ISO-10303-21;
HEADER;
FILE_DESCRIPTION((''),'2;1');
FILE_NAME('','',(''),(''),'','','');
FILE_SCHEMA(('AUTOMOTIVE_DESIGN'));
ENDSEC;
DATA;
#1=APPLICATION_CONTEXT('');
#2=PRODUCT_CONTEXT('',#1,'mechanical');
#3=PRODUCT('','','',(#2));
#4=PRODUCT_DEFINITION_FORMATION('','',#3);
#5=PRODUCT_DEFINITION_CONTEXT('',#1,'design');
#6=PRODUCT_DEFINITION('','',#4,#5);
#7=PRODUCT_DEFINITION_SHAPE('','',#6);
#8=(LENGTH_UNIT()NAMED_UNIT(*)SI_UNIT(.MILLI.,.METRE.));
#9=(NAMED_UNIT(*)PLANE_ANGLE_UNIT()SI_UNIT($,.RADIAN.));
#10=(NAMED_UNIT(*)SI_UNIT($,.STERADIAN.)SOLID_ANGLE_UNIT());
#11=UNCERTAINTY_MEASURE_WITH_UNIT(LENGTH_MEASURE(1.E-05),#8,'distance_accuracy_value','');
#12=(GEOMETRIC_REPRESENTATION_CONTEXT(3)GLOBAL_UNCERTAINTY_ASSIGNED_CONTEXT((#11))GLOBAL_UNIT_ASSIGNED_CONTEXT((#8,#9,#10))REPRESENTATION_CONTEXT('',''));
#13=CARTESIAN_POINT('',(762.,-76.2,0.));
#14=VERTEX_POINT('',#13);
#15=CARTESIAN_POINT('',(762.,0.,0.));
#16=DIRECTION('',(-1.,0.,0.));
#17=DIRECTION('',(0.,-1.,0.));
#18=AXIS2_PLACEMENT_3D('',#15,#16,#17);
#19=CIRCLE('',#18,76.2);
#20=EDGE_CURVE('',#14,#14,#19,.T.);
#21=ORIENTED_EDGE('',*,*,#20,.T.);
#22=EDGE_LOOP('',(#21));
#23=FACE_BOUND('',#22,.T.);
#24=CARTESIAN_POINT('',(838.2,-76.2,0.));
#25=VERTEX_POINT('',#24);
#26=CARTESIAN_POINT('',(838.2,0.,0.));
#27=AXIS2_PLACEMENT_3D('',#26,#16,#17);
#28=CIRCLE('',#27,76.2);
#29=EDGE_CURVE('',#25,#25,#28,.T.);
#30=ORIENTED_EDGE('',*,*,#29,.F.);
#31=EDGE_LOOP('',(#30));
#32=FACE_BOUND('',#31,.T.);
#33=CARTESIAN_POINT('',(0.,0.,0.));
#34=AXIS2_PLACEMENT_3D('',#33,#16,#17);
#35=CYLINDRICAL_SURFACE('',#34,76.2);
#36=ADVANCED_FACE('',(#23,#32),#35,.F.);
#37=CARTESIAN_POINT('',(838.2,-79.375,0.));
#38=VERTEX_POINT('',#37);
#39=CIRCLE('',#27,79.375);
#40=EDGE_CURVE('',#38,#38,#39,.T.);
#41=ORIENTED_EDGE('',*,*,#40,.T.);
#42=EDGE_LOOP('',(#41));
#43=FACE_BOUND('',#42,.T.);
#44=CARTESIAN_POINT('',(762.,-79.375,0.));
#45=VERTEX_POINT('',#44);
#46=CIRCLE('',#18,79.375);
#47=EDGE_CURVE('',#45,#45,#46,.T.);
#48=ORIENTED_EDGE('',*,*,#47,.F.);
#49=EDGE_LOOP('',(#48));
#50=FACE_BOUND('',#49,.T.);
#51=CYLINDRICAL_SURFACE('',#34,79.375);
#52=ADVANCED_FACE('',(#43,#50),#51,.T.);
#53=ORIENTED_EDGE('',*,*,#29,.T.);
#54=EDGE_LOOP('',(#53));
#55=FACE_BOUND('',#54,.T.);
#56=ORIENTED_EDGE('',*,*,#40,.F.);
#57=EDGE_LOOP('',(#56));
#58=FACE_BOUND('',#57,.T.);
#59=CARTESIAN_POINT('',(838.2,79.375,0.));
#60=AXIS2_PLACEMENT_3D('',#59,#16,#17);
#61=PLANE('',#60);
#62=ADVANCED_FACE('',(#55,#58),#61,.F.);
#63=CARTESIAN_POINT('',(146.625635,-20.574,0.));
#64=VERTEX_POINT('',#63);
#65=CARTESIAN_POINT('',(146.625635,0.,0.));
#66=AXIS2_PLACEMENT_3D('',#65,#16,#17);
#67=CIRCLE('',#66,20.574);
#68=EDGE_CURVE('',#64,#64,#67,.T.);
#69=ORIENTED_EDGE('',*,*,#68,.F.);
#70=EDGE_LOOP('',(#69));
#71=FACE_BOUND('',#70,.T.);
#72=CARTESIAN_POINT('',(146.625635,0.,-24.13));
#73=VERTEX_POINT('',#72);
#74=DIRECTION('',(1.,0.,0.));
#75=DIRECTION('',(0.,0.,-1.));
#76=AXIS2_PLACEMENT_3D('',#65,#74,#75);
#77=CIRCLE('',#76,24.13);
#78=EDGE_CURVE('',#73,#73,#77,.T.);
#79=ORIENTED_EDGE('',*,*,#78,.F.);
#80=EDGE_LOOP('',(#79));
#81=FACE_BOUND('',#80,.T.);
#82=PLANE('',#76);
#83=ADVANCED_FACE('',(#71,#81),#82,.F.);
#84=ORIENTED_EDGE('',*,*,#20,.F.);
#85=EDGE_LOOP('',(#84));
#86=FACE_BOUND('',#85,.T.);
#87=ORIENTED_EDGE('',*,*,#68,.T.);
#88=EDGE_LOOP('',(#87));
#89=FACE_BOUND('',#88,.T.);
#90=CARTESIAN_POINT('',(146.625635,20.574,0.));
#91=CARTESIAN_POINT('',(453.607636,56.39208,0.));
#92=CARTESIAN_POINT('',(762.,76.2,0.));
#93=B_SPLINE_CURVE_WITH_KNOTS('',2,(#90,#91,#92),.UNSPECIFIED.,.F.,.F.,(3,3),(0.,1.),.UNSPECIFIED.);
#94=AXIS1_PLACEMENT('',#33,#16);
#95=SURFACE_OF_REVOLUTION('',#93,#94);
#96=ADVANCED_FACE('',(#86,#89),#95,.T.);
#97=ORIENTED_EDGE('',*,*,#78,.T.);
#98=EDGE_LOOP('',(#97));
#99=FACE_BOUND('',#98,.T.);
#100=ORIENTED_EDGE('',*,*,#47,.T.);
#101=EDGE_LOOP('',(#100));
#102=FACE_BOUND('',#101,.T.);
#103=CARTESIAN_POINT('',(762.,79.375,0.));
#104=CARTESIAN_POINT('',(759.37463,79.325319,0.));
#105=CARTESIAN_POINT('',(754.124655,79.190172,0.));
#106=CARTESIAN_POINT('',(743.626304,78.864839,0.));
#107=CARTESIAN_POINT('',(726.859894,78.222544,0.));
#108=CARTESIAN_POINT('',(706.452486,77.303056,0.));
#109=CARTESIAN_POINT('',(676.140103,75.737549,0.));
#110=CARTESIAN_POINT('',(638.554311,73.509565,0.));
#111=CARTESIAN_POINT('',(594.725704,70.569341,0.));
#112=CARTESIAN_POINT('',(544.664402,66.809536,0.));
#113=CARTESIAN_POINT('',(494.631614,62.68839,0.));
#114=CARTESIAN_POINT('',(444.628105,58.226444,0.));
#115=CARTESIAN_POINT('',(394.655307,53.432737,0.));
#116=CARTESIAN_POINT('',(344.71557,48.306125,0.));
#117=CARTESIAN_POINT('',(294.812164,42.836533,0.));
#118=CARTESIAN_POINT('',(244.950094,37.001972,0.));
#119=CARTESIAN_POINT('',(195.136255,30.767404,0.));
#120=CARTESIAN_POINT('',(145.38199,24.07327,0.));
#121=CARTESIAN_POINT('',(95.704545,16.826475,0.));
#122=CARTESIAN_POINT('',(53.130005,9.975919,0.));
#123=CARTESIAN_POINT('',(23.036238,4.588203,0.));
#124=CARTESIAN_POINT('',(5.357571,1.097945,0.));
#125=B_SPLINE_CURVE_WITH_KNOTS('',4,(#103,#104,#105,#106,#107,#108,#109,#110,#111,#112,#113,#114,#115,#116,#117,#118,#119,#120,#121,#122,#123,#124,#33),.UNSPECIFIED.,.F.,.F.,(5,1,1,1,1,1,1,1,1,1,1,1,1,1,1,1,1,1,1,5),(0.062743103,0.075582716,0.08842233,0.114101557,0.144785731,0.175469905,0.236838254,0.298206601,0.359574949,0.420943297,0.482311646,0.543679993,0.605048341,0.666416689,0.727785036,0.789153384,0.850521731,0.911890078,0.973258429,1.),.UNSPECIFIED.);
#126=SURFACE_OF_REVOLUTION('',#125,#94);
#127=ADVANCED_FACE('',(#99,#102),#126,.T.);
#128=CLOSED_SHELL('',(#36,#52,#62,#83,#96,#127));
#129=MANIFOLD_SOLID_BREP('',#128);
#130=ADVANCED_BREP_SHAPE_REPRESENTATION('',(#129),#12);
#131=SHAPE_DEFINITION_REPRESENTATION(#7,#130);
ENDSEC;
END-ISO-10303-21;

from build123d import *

# Parameters (mm, degrees)
SKETCH4_R          = 24.13
CUT_EXTRUDE1_DEPTH = 146.625635


with BuildPart() as part:
    # Sketch2 → Revolve2 (revolve)
    with BuildSketch(Plane.XY):
        with BuildLine():
            Line((0, 0), (2.600451681, 0))
            Line((2.600451681, 0), (146.625634978, 20.574))
            add(Edge.make_bspline(
                [(146.625634978, 20.574), (453.607635717, 56.392080036), (762, 76.2)],
                knots=[0, 0, 0, 1, 1, 1], degree=2))
            Line((762, 76.2), (838.2, 76.2))
            Line((838.2, 76.2), (838.2, 79.375))
            Line((838.2, 79.375), (762, 79.375))
            add(Edge.make_bspline(
                [(0, 0), (5.357571125, 1.097944906), (23.036237813, 4.588202882), (53.130005277, 9.975919363), (95.704545208, 16.826475489), (145.381989515, 24.073269594), (195.136255167, 30.767404326), (244.950093832, 37.001971717), (294.812163927, 42.836533029), (344.715569588, 48.306125066), (394.655306895, 53.432737483), (444.628105481, 58.226444193), (494.631614208, 62.688389905), (544.664401624, 66.809536286), (594.725704038, 70.56934063), (638.554311162, 73.50956517), (676.140102737, 75.737548675), (706.452486218, 77.30305593), (726.859894078, 78.222544099), (743.626304476, 78.864839271), (754.124654875, 79.190172124), (759.374629808, 79.325319355), (762, 79.375)],
                knots=[0.062743103, 0.062743103, 0.062743103, 0.062743103, 0.062743103, 0.089484674, 0.150853025, 0.212221372, 0.273589719, 0.334958066, 0.396326414, 0.457694762, 0.51906311, 0.580431457, 0.641799805, 0.703168154, 0.764536502, 0.825904849, 0.887273198, 0.917957372, 0.948641546, 0.974320773, 0.987160386, 1, 1, 1, 1, 1], degree=4))
        make_face()
    revolve(axis=Axis((0, 0, 0), (1, 0, 0)))

    # Sketch4 → Cut-Extrude1 (cut)
    with BuildSketch(Plane(origin=(0, 0, 0), x_dir=(0, 0, -1), z_dir=(1, 0, 0))):
        Circle(SKETCH4_R)
    extrude(amount=CUT_EXTRUDE1_DEPTH, mode=Mode.SUBTRACT)


solid = part.part
